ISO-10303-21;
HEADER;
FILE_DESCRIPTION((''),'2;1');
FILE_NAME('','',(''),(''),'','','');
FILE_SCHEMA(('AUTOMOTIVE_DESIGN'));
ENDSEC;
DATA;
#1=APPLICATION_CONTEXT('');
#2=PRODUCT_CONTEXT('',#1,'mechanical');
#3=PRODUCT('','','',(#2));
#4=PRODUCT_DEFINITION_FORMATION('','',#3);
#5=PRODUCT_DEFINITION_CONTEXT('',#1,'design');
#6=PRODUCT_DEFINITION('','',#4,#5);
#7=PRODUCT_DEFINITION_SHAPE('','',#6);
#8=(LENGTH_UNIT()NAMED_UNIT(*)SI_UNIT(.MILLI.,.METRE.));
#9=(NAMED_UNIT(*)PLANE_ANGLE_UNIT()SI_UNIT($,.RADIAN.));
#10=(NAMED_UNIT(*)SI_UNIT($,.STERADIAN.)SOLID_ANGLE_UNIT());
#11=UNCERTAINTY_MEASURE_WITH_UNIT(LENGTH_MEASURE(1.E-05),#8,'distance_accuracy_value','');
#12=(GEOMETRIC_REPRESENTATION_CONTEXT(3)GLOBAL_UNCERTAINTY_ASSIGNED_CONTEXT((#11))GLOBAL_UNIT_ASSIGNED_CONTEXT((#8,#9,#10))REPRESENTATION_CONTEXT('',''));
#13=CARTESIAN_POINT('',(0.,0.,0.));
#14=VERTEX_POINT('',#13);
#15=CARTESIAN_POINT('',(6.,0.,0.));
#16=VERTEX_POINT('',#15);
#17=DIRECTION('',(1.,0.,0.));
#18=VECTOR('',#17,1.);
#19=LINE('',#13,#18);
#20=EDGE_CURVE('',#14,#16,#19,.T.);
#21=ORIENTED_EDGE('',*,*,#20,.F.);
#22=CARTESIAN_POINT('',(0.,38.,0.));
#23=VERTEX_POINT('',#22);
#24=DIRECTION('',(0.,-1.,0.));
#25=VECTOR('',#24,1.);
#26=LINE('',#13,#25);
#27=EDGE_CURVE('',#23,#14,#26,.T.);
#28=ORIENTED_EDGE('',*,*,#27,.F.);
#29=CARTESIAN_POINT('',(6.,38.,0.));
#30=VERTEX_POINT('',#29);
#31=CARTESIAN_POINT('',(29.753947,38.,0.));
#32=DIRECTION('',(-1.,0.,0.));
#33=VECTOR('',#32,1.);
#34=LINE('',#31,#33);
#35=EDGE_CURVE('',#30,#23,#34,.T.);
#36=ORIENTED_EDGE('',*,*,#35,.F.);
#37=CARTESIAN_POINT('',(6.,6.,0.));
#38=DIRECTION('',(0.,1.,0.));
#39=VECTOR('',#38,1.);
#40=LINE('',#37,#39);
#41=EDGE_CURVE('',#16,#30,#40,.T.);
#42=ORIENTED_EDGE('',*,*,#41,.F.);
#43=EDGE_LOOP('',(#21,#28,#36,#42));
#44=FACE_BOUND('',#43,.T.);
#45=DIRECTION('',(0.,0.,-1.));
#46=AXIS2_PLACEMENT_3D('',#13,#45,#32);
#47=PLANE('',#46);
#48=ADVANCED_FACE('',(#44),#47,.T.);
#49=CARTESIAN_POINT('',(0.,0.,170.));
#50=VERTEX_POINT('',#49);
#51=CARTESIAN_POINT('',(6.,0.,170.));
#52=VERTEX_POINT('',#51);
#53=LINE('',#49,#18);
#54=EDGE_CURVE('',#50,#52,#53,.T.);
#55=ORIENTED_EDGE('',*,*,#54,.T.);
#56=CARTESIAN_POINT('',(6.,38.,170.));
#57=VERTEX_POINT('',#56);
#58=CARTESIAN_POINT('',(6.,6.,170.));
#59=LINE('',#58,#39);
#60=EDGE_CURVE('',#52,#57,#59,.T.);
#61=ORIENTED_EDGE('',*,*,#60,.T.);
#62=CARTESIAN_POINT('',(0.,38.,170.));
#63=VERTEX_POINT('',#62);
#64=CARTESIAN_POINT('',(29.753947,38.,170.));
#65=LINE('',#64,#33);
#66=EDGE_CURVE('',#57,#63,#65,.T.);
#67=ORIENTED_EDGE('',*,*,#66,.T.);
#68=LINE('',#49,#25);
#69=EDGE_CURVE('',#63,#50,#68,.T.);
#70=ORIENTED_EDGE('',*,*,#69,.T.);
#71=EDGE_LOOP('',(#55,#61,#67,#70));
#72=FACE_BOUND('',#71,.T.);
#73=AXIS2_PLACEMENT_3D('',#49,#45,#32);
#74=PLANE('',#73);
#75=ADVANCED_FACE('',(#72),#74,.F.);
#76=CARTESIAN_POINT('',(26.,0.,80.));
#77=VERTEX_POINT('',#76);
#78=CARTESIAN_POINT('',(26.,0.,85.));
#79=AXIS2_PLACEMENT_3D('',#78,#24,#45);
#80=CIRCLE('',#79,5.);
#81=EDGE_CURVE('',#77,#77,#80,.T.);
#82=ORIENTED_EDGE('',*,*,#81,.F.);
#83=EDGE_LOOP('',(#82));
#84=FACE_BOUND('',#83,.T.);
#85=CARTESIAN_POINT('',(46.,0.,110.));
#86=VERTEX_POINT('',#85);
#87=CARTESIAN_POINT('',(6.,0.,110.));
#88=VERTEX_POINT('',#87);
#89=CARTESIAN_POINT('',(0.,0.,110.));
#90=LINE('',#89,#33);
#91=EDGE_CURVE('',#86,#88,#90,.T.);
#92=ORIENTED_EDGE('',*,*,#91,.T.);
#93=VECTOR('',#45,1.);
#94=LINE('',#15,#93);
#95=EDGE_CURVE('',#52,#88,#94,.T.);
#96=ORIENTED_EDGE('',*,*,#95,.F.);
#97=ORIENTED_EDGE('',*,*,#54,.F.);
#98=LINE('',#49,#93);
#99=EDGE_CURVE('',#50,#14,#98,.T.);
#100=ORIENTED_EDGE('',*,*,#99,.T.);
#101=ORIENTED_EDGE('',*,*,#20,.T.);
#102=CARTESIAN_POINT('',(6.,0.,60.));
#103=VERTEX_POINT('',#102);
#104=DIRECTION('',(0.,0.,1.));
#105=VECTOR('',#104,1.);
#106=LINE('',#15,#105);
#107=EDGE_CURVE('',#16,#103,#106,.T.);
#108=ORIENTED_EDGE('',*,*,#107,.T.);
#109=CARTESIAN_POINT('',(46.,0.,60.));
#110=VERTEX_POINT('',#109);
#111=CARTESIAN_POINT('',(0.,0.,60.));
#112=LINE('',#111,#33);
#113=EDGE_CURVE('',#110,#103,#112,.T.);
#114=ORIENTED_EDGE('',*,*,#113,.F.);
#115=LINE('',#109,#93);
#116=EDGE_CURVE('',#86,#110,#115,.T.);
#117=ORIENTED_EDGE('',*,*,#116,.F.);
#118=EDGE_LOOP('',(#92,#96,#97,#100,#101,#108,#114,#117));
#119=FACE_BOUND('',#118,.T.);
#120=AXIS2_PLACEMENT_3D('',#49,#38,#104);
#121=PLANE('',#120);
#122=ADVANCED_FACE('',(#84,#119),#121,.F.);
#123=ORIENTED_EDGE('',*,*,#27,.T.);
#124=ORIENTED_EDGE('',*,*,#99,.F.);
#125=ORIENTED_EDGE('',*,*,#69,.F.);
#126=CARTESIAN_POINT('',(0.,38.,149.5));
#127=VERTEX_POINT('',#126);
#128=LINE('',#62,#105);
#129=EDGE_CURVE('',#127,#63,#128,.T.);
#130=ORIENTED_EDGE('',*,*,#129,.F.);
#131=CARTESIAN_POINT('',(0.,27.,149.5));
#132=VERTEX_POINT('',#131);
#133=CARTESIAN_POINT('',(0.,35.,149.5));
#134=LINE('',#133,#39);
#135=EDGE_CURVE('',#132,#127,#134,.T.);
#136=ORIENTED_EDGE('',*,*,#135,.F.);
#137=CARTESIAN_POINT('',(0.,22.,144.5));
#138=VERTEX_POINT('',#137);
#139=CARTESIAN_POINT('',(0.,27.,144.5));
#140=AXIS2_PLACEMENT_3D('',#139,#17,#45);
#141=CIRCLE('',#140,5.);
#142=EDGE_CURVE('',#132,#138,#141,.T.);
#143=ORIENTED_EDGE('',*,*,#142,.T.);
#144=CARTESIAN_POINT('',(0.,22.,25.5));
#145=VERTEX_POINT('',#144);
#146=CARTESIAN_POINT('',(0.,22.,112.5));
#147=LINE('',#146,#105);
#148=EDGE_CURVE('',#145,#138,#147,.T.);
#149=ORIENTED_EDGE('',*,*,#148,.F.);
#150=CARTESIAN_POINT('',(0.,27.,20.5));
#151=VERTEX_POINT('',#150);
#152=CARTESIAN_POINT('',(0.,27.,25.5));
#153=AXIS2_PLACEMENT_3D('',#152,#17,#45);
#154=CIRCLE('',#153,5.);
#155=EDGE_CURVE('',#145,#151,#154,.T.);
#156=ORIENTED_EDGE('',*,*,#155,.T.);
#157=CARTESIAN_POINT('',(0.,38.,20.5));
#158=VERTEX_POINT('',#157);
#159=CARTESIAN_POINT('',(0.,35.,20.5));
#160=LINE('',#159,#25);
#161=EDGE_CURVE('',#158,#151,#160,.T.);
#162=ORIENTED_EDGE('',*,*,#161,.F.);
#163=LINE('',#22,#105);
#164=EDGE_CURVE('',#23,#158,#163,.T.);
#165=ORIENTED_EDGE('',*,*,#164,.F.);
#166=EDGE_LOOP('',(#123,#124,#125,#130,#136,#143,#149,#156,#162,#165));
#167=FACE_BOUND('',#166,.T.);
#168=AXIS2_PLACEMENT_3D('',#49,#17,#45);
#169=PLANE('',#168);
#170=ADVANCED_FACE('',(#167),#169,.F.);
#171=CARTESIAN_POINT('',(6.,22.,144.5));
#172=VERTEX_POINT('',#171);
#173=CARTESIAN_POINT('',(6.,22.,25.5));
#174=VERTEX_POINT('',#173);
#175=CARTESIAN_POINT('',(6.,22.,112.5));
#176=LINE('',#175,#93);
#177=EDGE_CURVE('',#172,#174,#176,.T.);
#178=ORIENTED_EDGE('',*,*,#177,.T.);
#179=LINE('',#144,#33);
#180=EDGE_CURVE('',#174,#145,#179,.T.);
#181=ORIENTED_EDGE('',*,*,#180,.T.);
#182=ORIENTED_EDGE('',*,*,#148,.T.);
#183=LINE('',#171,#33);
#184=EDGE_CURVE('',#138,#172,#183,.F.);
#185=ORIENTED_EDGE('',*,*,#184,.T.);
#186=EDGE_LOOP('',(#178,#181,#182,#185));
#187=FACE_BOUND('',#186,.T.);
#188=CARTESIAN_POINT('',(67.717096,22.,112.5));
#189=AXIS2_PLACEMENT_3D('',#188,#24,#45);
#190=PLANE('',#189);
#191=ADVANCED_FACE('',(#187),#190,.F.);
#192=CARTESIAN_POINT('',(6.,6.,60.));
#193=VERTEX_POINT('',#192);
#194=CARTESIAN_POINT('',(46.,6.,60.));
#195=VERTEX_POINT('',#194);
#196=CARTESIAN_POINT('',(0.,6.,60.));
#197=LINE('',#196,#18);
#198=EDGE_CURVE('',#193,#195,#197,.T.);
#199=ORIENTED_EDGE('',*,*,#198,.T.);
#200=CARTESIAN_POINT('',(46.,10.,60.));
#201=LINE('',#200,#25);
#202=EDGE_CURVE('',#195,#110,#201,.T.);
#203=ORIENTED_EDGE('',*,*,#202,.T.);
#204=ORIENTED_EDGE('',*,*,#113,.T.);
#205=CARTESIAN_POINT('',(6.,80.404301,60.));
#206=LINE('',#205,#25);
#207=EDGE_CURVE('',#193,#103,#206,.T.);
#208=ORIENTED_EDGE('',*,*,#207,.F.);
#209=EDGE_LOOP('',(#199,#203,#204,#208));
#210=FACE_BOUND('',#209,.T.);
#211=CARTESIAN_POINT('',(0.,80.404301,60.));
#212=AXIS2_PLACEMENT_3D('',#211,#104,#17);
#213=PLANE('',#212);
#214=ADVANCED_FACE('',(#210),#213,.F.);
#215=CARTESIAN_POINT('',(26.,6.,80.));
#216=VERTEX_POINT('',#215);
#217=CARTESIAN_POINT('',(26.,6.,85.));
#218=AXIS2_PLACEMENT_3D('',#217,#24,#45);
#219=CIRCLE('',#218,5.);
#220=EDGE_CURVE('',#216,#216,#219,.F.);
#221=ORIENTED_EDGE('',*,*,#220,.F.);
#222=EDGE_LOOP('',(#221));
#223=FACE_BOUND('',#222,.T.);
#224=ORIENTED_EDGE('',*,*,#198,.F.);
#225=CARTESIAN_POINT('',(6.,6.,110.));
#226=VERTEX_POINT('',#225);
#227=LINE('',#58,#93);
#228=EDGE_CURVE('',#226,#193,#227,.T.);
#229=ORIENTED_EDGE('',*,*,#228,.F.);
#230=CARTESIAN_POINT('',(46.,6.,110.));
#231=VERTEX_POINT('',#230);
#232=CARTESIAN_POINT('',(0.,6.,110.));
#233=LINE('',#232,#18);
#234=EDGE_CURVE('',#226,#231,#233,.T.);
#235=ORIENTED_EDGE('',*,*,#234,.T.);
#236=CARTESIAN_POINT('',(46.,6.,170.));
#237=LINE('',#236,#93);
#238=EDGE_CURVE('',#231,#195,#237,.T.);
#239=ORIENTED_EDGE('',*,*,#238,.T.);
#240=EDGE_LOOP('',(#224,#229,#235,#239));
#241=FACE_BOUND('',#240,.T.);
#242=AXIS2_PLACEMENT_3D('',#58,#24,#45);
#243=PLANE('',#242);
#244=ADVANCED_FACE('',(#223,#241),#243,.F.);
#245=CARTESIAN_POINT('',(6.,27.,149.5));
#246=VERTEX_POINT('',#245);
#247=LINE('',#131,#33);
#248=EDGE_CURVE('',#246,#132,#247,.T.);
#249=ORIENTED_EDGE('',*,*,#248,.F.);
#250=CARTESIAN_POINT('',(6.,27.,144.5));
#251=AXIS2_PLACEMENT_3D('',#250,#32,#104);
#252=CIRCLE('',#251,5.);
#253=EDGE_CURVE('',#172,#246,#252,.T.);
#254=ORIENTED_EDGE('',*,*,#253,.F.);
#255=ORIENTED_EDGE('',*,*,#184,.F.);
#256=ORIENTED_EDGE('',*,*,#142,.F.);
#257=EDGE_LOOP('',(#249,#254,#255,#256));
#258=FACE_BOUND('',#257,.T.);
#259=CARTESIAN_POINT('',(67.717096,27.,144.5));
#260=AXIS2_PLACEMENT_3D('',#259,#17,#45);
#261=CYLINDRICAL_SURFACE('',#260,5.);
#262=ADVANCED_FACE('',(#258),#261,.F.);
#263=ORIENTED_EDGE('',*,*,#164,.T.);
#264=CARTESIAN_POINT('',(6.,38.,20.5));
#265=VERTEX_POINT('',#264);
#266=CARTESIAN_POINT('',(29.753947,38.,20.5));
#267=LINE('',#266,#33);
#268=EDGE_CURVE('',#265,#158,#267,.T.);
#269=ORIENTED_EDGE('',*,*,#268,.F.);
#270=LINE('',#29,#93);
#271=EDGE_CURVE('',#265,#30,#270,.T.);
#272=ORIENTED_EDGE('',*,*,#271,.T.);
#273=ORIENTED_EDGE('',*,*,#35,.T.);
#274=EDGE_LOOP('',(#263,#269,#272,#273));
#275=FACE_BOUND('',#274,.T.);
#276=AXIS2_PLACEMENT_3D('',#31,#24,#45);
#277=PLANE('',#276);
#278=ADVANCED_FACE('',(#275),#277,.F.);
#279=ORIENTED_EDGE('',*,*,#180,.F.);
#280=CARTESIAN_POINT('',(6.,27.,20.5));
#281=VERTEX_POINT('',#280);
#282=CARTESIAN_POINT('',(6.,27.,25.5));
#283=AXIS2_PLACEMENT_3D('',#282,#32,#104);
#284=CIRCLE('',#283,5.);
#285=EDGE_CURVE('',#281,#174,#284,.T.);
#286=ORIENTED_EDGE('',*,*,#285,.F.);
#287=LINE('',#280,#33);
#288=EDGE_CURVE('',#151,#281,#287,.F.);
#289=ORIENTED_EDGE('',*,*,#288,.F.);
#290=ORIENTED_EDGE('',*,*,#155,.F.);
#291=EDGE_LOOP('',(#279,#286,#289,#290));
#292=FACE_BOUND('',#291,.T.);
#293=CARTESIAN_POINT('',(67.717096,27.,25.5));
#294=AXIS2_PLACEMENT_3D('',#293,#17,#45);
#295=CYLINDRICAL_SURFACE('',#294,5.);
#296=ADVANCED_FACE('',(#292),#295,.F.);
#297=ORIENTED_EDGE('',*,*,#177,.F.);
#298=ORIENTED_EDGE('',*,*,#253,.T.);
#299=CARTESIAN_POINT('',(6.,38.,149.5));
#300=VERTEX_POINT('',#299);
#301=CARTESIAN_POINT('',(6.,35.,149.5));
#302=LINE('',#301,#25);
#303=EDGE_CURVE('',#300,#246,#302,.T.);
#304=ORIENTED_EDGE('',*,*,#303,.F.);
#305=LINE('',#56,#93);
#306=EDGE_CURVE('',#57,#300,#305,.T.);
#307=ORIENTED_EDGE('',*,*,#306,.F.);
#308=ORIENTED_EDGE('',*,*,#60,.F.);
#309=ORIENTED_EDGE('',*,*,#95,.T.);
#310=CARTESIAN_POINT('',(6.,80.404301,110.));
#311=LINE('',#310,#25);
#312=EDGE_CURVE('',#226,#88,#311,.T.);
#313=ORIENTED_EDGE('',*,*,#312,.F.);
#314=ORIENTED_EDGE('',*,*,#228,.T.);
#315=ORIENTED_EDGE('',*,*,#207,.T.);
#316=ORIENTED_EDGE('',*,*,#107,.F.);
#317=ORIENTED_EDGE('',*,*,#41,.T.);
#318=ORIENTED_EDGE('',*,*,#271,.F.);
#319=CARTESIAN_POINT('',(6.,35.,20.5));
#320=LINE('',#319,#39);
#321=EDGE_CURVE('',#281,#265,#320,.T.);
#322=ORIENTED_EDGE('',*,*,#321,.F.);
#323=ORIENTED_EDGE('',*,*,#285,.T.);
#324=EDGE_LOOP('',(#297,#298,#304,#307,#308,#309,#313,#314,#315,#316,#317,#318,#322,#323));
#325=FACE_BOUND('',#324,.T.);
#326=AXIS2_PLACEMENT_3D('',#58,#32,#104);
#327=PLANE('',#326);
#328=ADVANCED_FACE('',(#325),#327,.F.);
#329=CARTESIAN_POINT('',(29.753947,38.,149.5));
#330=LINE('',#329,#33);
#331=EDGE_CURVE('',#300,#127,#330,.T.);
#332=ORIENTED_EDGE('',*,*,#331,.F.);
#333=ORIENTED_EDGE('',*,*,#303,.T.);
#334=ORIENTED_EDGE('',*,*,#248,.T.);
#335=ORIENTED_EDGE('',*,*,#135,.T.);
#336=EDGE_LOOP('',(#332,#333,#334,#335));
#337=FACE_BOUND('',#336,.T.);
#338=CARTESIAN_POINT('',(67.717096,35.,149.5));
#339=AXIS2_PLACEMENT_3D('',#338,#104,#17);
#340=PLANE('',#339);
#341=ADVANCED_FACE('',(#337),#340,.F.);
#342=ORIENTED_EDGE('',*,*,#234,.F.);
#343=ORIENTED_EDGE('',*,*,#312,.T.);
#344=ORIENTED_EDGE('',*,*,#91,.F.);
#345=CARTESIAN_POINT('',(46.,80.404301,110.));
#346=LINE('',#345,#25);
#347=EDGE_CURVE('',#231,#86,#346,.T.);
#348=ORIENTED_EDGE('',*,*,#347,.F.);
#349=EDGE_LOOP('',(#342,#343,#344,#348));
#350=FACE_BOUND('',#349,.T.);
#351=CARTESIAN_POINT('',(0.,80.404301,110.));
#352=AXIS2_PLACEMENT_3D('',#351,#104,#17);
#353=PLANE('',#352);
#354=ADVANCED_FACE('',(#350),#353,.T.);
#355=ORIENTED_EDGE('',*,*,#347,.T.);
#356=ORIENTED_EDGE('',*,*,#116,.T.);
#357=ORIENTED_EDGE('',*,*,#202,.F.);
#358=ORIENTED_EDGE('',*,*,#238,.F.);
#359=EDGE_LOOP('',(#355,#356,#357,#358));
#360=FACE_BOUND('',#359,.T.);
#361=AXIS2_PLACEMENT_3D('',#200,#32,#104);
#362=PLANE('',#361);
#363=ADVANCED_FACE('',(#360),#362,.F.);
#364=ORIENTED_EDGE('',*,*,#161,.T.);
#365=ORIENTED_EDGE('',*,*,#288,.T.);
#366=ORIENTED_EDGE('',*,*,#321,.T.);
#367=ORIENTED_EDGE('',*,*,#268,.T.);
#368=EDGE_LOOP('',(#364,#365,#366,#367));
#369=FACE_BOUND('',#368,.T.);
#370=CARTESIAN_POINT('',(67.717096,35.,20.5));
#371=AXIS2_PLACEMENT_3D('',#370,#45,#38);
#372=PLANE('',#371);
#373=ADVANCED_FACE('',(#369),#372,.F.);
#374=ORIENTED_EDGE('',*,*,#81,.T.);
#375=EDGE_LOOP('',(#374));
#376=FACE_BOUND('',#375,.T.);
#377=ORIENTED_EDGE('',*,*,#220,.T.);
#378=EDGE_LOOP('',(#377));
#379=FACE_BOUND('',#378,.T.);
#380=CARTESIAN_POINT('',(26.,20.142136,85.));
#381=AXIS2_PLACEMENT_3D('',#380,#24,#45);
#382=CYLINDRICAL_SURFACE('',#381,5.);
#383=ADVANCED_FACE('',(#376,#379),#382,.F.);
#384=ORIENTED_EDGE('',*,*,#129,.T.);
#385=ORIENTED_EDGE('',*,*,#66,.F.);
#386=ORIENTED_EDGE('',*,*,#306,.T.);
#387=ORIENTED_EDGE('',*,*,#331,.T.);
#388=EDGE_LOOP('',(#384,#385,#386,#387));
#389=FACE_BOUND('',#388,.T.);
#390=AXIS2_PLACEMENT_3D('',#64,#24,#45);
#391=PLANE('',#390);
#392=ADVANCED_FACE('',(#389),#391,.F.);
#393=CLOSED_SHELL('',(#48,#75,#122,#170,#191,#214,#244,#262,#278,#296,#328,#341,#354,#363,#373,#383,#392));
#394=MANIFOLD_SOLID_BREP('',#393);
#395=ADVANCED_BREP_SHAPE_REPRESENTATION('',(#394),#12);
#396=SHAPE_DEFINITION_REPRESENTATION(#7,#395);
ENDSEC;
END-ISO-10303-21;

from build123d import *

# Parameters (mm, degrees)
SALIENTE_EXTRUIR1_DEPTH = 170
CROQUIS2_W              = 55
CROQUIS2_H              = 28
CORTAR_EXTRUIR1_DEPTH   = 6
CROQUIS3_W              = 44
CROQUIS3_H              = 60
CORTAR_EXTRUIR2_DEPTH   = 6
CROQUIS4_W              = 4
CROQUIS4_H              = 50
CORTAR_EXTRUIR3_DEPTH   = 10
CROQUIS5_W              = 20.5
CROQUIS5_H              = 12
CROQUIS5_W_2            = 18
CORTAR_EXTRUIR4_DEPTH   = 6
CROQUIS6_W              = 129
CROQUIS6_H              = 16
CORTAR_EXTRUIR5_DEPTH   = 6
CROQUIS7_R              = 5
CORTAR_EXTRUIR6_DEPTH   = 6
REDONDEO1_R             = 5


with BuildPart() as part:
    # Croquis1 → Saliente-Extruir1 (new body)
    with BuildSketch(Plane.XY):
        Polygon((0, 0), (0, 50), (6, 50), (6, 6), (50, 6), (50, 0), align=None)
    extrude(amount=SALIENTE_EXTRUIR1_DEPTH)

    # Croquis2 → Cortar-Extruir1 (cut)
    with BuildSketch(Plane.ZY):
        with Locations((85, 36)):
            Rectangle(CROQUIS2_W, CROQUIS2_H)
        with BuildLine():
            Line((149.5, 35), (149.5, 50))
            Line((149.5, 50), (130.5, 50))
            Line((130.5, 50), (130.5, 35))
            ThreePointArc((130.5, 35), (140, 25.5), (149.5, 35))
        make_face()
        with BuildLine():
            Line((39.5, 35), (39.5, 50))
            Line((39.5, 50), (20.5, 50))
            Line((20.5, 50), (20.5, 35))
            ThreePointArc((20.5, 35), (30, 25.5), (39.5, 35))
        make_face()
    extrude(amount=-CORTAR_EXTRUIR1_DEPTH, mode=Mode.SUBTRACT)

    # Croquis3 → Cortar-Extruir2 (cut)
    with BuildSketch(Plane.XZ):
        with Locations((28, 140)):
            Rectangle(CROQUIS3_W, CROQUIS3_H)
        with Locations((28, 30)):
            Rectangle(CROQUIS3_W, CROQUIS3_H)
    extrude(amount=-CORTAR_EXTRUIR2_DEPTH, mode=Mode.SUBTRACT)

    # Croquis4 → Cortar-Extruir3 (cut)
    with BuildSketch(Plane.XZ):
        with Locations((48, 85)):
            Rectangle(CROQUIS4_W, CROQUIS4_H)
    extrude(amount=-CORTAR_EXTRUIR3_DEPTH, mode=Mode.SUBTRACT)

    # Croquis5 → Cortar-Extruir4 (cut)
    with BuildSketch(Plane.ZY):
        with Locations((159.75, 44)):
            Rectangle(CROQUIS5_W, CROQUIS5_H)
        with Locations((121.5, 44)):
            Rectangle(CROQUIS5_W_2, CROQUIS5_H)
        with Locations((48.5, 44)):
            Rectangle(CROQUIS5_W_2, CROQUIS5_H)
        with Locations((10.25, 44)):
            Rectangle(CROQUIS5_W, CROQUIS5_H)
    extrude(amount=-CORTAR_EXTRUIR4_DEPTH, mode=Mode.SUBTRACT)

    # Croquis6 → Cortar-Extruir5 (cut)
    with BuildSketch(Plane.ZY):
        with Locations((85, 30)):
            Rectangle(CROQUIS6_W, CROQUIS6_H)
    extrude(amount=-CORTAR_EXTRUIR5_DEPTH, mode=Mode.SUBTRACT)

    # Croquis7 → Cortar-Extruir6 (cut)
    with BuildSketch(Plane.XZ):
        with Locations((26, 85)):
            Circle(CROQUIS7_R)
    extrude(amount=-CORTAR_EXTRUIR6_DEPTH, mode=Mode.SUBTRACT)

    # Redondeo1
    redondeo1_edges = [part.edges().sort_by_distance(p)[0] for p in [
        (3, 22, 149.5),
        (3, 22, 20.5),
    ]]
    fillet(redondeo1_edges, radius=REDONDEO1_R)


solid = part.part
